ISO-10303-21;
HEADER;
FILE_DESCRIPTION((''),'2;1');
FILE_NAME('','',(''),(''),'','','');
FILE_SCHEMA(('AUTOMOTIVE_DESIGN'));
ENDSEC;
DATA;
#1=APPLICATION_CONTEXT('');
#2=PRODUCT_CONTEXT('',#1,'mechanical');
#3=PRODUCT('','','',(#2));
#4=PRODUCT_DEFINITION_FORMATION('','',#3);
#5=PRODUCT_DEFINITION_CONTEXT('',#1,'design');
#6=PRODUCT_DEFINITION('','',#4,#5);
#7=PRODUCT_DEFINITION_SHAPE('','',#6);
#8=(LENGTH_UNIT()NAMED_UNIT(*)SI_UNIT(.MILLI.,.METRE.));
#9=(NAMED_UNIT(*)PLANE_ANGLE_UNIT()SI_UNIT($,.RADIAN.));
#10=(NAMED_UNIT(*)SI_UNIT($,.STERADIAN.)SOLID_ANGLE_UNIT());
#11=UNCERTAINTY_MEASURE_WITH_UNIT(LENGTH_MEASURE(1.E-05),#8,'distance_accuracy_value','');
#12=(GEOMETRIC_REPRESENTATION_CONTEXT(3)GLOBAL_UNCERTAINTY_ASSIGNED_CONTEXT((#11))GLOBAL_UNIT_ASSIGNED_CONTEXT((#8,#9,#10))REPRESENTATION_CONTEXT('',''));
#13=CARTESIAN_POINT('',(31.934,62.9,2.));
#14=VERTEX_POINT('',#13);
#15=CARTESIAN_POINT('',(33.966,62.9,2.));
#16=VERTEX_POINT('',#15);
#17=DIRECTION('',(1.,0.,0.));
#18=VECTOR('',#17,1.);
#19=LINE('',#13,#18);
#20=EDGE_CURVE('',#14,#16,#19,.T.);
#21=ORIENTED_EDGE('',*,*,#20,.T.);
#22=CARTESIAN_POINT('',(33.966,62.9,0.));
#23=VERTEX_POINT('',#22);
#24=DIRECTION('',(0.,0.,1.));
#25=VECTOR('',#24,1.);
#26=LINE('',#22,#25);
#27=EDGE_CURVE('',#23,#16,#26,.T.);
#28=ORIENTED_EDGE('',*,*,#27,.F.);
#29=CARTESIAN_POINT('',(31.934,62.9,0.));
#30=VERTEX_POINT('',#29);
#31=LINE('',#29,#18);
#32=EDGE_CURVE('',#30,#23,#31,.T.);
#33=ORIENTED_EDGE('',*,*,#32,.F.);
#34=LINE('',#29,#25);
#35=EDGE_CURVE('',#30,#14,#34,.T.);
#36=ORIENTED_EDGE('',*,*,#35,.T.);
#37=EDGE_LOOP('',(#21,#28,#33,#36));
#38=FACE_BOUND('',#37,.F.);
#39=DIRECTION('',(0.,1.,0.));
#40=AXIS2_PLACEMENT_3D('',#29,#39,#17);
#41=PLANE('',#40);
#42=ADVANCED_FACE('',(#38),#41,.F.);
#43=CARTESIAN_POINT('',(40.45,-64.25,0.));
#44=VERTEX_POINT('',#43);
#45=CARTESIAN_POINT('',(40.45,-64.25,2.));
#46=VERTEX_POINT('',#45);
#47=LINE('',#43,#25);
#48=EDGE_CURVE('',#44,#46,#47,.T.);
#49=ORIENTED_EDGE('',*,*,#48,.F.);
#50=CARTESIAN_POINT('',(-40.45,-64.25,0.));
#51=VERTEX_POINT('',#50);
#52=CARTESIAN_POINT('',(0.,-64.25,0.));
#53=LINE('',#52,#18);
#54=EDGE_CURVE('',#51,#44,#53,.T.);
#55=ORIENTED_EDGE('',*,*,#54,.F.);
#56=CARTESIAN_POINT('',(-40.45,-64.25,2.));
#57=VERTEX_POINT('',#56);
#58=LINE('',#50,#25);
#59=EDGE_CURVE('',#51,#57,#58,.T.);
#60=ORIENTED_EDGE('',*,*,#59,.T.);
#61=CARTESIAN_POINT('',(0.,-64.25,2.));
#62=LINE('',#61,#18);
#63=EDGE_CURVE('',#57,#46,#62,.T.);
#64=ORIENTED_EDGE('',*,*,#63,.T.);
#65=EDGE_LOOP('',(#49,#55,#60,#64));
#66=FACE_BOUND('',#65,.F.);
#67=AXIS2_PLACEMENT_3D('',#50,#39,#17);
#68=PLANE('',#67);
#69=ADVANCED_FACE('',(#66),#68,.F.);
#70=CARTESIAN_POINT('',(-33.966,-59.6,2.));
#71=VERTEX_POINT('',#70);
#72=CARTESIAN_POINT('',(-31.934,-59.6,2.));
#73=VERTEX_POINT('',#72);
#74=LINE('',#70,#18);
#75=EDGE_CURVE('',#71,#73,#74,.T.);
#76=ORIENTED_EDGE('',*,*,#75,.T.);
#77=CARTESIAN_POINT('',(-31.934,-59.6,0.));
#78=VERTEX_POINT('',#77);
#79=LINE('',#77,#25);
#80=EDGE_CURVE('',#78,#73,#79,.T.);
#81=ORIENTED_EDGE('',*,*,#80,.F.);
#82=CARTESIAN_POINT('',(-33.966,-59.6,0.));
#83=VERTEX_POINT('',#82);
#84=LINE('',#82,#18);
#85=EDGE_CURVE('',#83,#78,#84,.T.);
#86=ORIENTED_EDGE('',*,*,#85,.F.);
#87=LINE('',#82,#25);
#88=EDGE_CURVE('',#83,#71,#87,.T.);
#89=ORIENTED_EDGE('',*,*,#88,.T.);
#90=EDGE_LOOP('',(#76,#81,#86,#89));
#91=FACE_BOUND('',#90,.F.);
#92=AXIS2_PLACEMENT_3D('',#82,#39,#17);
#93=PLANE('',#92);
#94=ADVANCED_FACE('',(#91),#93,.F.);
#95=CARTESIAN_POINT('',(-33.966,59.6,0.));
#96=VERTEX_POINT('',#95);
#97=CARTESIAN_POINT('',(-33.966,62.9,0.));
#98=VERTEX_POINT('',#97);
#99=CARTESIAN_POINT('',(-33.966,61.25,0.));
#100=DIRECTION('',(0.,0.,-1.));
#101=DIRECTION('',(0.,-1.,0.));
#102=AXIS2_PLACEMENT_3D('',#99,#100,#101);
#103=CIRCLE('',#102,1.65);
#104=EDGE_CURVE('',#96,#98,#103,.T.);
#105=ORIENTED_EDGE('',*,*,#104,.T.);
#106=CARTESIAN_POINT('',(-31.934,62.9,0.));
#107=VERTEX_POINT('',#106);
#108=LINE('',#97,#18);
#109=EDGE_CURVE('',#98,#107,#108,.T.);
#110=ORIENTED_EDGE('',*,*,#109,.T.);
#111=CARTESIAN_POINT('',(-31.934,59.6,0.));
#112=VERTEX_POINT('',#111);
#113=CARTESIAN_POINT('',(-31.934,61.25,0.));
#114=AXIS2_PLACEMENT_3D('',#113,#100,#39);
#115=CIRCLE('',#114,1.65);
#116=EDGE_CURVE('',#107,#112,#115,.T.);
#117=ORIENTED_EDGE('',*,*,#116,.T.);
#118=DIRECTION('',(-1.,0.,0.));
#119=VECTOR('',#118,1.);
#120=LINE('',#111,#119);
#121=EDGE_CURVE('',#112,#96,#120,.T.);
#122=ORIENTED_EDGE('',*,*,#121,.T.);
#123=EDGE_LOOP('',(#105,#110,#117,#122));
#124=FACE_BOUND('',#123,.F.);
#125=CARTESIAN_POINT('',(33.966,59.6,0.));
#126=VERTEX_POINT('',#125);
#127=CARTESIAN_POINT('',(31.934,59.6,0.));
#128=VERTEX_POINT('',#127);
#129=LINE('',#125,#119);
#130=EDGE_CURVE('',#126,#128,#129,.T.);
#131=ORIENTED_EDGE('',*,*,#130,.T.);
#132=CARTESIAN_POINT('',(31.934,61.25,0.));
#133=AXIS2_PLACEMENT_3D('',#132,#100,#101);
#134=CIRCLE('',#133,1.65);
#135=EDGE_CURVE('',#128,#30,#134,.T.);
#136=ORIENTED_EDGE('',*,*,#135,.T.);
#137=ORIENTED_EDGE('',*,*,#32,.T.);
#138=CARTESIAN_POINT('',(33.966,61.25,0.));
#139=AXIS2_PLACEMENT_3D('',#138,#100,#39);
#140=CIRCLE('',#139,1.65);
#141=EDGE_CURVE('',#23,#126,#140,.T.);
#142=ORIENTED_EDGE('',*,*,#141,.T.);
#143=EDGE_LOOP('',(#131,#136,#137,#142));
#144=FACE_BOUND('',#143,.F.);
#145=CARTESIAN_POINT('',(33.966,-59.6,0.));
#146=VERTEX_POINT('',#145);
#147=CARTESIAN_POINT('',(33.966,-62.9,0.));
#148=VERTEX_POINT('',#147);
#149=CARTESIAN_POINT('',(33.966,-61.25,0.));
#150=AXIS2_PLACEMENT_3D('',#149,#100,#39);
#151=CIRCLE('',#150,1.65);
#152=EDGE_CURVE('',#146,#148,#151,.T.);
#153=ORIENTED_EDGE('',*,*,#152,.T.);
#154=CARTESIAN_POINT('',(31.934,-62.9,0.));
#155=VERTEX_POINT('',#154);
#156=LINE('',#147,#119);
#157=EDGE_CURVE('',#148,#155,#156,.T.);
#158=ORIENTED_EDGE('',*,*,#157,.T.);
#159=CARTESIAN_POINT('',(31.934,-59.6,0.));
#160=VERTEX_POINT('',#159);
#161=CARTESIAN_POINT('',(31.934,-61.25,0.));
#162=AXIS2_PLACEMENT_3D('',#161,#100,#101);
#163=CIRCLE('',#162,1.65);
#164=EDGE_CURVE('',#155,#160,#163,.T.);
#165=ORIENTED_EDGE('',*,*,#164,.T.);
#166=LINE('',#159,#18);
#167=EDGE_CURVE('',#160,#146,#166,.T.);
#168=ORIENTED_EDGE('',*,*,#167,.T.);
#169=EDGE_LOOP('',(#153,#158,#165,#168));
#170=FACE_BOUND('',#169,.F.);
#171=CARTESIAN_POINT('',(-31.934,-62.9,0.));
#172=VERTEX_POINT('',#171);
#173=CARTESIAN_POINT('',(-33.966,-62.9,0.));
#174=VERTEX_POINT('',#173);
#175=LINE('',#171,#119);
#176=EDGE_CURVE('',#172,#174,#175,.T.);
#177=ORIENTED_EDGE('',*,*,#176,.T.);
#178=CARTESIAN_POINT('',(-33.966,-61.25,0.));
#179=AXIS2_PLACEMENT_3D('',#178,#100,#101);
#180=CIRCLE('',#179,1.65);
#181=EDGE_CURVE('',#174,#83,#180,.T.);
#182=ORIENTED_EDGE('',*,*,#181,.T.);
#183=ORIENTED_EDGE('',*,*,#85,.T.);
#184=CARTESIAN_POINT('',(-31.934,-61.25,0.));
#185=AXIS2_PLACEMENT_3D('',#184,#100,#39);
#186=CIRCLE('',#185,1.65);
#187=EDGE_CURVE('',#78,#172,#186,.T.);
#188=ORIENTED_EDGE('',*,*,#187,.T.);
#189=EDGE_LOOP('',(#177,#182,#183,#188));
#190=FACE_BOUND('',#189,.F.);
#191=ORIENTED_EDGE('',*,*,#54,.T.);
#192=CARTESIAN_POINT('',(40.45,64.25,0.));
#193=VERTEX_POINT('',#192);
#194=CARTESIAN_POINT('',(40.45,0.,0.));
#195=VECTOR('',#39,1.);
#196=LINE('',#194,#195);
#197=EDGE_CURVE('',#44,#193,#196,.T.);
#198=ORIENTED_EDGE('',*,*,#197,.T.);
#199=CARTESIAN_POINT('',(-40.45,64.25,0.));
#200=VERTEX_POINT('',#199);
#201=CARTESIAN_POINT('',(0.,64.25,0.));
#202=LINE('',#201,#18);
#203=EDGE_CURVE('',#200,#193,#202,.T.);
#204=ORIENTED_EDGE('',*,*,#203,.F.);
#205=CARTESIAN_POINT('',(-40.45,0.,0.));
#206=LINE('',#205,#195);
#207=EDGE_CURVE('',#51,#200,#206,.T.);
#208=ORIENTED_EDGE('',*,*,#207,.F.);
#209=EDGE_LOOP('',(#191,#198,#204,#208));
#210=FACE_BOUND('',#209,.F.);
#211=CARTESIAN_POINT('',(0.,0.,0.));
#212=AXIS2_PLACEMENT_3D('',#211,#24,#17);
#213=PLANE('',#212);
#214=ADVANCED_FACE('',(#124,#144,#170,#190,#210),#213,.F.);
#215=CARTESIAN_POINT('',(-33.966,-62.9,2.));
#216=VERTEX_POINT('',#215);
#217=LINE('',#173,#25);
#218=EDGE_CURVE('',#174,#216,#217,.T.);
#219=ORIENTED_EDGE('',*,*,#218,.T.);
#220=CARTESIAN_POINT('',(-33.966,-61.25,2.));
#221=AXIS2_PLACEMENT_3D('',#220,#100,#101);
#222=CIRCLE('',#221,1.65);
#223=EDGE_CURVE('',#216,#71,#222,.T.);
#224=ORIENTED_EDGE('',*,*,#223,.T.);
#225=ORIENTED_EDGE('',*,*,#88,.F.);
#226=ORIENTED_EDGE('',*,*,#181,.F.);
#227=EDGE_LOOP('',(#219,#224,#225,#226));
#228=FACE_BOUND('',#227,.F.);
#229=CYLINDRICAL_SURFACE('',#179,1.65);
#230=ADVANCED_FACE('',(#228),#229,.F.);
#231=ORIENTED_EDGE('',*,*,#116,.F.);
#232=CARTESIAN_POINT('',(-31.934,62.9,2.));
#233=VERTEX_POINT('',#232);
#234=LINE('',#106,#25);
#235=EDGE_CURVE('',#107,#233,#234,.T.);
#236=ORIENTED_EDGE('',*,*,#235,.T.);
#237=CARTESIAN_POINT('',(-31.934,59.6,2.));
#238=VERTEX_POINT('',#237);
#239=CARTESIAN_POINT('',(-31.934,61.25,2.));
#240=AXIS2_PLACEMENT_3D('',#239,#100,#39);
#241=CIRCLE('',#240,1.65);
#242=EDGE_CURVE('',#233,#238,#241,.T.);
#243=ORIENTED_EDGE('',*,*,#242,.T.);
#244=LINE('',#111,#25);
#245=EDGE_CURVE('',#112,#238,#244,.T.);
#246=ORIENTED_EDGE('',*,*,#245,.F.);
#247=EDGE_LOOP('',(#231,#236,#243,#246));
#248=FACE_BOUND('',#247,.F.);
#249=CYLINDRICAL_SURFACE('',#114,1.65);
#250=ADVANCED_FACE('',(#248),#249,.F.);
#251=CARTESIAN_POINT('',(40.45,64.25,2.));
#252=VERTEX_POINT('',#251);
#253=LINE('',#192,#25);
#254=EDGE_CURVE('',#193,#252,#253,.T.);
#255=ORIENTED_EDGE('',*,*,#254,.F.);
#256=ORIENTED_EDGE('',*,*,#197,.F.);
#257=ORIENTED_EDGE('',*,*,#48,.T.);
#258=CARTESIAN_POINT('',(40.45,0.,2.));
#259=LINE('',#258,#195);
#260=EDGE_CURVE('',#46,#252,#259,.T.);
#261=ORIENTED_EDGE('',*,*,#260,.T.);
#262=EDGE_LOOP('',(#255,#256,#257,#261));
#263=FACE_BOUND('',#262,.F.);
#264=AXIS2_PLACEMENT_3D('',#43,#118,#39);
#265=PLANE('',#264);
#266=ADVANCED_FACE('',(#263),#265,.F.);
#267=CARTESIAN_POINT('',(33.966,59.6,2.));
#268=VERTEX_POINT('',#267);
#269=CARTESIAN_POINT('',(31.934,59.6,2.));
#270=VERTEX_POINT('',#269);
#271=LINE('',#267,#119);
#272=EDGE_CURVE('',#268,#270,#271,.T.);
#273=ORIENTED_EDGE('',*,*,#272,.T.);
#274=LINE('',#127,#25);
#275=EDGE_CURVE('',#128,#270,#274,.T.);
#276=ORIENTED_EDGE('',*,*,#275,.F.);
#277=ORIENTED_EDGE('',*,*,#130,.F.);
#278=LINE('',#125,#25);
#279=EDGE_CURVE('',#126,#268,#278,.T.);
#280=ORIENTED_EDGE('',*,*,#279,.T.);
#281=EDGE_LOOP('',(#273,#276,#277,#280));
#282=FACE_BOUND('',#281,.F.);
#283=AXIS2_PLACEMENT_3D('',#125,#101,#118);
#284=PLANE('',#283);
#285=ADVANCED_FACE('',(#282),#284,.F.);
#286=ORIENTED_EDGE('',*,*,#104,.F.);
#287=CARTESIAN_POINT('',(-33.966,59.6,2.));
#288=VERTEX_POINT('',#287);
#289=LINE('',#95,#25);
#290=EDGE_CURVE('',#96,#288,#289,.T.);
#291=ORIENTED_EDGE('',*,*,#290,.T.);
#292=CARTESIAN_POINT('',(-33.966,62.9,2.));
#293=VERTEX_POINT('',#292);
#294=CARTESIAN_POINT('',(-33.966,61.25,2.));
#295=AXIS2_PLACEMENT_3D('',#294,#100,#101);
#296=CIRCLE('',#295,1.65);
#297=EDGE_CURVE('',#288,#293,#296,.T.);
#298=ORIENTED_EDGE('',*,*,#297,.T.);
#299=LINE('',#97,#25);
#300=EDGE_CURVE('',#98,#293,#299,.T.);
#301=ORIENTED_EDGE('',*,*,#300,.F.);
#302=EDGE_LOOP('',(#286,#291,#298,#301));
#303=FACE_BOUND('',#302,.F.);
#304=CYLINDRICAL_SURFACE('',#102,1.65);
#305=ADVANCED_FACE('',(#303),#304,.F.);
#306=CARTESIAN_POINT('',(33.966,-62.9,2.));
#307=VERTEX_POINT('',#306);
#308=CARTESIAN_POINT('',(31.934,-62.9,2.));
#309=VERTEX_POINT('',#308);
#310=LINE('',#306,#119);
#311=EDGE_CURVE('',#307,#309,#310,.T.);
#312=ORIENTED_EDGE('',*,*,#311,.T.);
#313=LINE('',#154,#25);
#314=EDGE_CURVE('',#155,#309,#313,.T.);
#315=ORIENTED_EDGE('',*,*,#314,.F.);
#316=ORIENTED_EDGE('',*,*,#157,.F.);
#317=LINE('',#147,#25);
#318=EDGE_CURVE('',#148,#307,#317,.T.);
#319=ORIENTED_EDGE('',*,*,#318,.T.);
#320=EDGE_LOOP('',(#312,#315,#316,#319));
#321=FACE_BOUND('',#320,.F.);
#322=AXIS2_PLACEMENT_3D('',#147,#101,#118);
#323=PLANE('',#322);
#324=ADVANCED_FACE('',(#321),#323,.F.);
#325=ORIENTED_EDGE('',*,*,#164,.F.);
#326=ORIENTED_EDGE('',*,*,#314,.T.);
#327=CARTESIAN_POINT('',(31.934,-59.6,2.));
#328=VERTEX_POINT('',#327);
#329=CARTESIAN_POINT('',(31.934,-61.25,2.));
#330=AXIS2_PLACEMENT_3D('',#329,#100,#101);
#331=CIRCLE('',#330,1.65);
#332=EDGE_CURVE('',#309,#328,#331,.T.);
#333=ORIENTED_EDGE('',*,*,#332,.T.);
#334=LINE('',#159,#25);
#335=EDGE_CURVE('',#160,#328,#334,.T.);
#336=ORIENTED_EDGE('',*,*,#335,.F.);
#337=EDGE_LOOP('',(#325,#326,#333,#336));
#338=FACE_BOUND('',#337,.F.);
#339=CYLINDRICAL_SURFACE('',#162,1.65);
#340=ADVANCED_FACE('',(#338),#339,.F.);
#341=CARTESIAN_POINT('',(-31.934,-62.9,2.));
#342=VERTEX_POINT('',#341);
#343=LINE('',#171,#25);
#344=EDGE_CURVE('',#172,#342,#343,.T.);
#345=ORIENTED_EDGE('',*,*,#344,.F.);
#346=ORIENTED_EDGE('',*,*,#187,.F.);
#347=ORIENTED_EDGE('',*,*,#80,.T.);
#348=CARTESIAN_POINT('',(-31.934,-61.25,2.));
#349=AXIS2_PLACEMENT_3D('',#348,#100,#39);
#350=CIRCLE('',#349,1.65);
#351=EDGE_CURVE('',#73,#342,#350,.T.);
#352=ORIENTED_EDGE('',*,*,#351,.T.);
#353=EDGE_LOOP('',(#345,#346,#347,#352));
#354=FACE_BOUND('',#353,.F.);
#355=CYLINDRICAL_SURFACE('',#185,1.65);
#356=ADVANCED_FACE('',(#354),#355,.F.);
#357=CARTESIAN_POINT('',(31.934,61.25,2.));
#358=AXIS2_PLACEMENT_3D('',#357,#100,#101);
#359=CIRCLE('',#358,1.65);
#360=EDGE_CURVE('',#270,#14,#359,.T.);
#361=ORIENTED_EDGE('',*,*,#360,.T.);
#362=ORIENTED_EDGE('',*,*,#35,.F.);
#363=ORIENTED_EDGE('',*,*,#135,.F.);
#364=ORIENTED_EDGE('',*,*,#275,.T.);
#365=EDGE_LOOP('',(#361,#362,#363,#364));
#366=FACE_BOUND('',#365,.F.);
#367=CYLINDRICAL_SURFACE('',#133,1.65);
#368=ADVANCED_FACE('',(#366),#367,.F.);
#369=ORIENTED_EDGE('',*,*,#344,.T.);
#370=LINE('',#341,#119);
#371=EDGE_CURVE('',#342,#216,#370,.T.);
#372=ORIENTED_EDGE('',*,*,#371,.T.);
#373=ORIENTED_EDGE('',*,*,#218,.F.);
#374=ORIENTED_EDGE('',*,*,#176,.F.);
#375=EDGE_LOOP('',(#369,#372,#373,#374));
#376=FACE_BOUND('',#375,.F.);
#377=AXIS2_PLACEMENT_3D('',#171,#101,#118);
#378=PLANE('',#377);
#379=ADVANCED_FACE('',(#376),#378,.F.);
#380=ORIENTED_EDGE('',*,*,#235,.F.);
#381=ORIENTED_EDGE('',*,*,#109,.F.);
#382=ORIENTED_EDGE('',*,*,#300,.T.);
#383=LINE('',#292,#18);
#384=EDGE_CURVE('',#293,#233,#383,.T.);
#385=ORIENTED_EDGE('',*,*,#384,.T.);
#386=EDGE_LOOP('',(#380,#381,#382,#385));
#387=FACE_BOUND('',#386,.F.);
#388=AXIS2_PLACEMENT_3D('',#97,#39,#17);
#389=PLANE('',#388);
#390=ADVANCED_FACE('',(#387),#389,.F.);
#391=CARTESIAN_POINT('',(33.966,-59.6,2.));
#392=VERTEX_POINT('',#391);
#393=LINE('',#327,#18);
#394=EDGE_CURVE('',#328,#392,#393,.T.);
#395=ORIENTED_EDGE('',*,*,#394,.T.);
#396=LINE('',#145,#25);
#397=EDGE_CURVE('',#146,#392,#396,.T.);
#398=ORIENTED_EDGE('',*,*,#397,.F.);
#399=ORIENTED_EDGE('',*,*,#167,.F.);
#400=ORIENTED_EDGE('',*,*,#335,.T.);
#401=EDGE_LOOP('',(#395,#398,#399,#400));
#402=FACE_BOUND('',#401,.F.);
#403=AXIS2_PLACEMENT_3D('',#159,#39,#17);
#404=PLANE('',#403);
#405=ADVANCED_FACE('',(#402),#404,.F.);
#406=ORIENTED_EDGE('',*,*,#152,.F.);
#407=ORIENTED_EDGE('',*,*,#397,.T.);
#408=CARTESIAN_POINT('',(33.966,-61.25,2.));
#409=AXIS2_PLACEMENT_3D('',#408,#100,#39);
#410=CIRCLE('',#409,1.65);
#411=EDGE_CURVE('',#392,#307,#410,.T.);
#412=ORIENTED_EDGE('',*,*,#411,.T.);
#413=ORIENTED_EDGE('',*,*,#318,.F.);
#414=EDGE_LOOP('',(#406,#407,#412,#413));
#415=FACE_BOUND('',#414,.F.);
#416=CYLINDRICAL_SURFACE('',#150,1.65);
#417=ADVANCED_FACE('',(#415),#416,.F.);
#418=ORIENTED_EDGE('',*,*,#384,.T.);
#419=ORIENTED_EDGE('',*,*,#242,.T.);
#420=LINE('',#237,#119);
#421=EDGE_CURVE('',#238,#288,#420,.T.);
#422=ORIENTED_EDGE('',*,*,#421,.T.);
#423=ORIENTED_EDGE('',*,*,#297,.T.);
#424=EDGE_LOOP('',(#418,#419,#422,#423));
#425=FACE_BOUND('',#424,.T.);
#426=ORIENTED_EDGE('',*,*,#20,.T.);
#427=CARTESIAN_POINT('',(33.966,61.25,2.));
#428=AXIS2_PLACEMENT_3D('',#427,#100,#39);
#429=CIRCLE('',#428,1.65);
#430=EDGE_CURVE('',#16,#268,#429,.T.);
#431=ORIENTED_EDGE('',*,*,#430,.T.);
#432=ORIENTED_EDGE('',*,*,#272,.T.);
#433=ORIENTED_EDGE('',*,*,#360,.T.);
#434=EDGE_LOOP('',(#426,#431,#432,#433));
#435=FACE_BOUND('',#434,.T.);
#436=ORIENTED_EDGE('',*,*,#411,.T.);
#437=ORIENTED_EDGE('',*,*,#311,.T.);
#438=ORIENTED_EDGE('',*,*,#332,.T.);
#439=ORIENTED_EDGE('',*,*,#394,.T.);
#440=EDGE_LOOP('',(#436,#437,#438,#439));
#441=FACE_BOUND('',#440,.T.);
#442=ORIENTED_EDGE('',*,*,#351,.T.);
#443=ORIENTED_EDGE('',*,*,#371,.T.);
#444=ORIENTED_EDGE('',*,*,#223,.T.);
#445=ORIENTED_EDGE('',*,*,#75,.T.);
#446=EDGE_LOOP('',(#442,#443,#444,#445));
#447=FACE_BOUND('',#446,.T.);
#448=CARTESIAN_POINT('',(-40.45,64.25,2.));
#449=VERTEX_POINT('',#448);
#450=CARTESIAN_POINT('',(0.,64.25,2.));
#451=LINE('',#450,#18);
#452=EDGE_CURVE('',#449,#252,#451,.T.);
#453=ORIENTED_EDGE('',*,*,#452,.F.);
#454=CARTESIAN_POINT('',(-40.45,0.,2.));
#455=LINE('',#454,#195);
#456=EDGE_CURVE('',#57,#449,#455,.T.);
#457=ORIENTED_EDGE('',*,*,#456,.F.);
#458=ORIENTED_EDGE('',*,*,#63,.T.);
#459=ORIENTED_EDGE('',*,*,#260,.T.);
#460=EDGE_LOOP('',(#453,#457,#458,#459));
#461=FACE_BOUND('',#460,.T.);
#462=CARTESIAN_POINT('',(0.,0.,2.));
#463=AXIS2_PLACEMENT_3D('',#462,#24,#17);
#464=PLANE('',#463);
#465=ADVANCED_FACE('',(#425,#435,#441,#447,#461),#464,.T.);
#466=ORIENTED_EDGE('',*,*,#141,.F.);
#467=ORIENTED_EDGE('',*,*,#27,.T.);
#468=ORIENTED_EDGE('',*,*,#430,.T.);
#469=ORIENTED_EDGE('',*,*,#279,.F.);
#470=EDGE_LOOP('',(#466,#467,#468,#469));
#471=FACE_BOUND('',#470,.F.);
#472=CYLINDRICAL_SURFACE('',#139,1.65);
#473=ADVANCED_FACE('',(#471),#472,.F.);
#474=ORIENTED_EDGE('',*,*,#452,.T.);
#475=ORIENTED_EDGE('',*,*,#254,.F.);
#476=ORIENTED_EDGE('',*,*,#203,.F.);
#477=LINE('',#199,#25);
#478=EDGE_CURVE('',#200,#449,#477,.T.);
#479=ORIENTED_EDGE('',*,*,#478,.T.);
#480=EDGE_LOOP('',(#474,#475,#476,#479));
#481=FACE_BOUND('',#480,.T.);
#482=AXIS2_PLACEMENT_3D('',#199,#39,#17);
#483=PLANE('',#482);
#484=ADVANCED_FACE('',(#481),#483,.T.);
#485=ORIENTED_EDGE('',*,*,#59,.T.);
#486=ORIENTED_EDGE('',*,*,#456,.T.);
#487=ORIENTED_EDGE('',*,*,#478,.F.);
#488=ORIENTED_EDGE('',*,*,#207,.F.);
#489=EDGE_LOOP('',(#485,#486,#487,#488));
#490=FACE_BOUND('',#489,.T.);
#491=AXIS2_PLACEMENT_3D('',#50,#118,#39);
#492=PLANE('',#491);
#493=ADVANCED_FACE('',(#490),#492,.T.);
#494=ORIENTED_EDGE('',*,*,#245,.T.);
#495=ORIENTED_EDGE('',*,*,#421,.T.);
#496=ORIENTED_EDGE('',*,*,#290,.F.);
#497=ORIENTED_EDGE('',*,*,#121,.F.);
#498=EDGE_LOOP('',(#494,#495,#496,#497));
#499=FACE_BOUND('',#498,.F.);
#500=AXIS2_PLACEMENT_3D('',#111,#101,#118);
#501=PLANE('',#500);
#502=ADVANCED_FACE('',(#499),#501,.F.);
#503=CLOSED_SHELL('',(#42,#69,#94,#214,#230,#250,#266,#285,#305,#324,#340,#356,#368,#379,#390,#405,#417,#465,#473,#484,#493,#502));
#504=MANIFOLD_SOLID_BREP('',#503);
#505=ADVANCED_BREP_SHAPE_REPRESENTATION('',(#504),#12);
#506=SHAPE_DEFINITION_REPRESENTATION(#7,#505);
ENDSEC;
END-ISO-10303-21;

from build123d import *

# Parameters (mm, degrees)
SKETCH1_W           = 80.9
SKETCH1_H           = 128.5
BOSS_EXTRUDE1_DEPTH = 2


with BuildPart() as part:
    # Sketch1 → Boss-Extrude1 (new body)
    with BuildSketch(Plane.XY):
        Rectangle(SKETCH1_W, SKETCH1_H)
        with BuildLine():
            Line((-33.966, -59.6), (-31.934, -59.6))
            ThreePointArc((-31.934, -59.6), (-30.284, -61.25), (-31.934, -62.9))
            Line((-31.934, -62.9), (-33.966, -62.9))
            ThreePointArc((-33.966, -62.9), (-35.616, -61.25), (-33.966, -59.6))
        make_face(mode=Mode.SUBTRACT)
        with BuildLine():
            Line((-33.966, 62.9), (-31.934, 62.9))
            ThreePointArc((-31.934, 62.9), (-30.284, 61.25), (-31.934, 59.6))
            Line((-31.934, 59.6), (-33.966, 59.6))
            ThreePointArc((-33.966, 59.6), (-35.616, 61.25), (-33.966, 62.9))
        make_face(mode=Mode.SUBTRACT)
        with BuildLine():
            Line((31.934000014, 62.9), (33.966000014, 62.9))
            ThreePointArc((33.966000014, 62.9), (35.616000014, 61.25), (33.966000014, 59.6))
            Line((33.966000014, 59.6), (31.934000014, 59.6))
            ThreePointArc((31.934000014, 59.6), (30.284000014, 61.25), (31.934000014, 62.9))
        make_face(mode=Mode.SUBTRACT)
        with BuildLine():
            Line((31.934000014, -59.6), (33.966000014, -59.6))
            ThreePointArc((33.966000014, -59.6), (35.616000014, -61.25), (33.966000014, -62.9))
            Line((33.966000014, -62.9), (31.934000014, -62.9))
            ThreePointArc((31.934000014, -62.9), (30.284000014, -61.25), (31.934000014, -59.6))
        make_face(mode=Mode.SUBTRACT)
    extrude(amount=BOSS_EXTRUDE1_DEPTH)


solid = part.part
